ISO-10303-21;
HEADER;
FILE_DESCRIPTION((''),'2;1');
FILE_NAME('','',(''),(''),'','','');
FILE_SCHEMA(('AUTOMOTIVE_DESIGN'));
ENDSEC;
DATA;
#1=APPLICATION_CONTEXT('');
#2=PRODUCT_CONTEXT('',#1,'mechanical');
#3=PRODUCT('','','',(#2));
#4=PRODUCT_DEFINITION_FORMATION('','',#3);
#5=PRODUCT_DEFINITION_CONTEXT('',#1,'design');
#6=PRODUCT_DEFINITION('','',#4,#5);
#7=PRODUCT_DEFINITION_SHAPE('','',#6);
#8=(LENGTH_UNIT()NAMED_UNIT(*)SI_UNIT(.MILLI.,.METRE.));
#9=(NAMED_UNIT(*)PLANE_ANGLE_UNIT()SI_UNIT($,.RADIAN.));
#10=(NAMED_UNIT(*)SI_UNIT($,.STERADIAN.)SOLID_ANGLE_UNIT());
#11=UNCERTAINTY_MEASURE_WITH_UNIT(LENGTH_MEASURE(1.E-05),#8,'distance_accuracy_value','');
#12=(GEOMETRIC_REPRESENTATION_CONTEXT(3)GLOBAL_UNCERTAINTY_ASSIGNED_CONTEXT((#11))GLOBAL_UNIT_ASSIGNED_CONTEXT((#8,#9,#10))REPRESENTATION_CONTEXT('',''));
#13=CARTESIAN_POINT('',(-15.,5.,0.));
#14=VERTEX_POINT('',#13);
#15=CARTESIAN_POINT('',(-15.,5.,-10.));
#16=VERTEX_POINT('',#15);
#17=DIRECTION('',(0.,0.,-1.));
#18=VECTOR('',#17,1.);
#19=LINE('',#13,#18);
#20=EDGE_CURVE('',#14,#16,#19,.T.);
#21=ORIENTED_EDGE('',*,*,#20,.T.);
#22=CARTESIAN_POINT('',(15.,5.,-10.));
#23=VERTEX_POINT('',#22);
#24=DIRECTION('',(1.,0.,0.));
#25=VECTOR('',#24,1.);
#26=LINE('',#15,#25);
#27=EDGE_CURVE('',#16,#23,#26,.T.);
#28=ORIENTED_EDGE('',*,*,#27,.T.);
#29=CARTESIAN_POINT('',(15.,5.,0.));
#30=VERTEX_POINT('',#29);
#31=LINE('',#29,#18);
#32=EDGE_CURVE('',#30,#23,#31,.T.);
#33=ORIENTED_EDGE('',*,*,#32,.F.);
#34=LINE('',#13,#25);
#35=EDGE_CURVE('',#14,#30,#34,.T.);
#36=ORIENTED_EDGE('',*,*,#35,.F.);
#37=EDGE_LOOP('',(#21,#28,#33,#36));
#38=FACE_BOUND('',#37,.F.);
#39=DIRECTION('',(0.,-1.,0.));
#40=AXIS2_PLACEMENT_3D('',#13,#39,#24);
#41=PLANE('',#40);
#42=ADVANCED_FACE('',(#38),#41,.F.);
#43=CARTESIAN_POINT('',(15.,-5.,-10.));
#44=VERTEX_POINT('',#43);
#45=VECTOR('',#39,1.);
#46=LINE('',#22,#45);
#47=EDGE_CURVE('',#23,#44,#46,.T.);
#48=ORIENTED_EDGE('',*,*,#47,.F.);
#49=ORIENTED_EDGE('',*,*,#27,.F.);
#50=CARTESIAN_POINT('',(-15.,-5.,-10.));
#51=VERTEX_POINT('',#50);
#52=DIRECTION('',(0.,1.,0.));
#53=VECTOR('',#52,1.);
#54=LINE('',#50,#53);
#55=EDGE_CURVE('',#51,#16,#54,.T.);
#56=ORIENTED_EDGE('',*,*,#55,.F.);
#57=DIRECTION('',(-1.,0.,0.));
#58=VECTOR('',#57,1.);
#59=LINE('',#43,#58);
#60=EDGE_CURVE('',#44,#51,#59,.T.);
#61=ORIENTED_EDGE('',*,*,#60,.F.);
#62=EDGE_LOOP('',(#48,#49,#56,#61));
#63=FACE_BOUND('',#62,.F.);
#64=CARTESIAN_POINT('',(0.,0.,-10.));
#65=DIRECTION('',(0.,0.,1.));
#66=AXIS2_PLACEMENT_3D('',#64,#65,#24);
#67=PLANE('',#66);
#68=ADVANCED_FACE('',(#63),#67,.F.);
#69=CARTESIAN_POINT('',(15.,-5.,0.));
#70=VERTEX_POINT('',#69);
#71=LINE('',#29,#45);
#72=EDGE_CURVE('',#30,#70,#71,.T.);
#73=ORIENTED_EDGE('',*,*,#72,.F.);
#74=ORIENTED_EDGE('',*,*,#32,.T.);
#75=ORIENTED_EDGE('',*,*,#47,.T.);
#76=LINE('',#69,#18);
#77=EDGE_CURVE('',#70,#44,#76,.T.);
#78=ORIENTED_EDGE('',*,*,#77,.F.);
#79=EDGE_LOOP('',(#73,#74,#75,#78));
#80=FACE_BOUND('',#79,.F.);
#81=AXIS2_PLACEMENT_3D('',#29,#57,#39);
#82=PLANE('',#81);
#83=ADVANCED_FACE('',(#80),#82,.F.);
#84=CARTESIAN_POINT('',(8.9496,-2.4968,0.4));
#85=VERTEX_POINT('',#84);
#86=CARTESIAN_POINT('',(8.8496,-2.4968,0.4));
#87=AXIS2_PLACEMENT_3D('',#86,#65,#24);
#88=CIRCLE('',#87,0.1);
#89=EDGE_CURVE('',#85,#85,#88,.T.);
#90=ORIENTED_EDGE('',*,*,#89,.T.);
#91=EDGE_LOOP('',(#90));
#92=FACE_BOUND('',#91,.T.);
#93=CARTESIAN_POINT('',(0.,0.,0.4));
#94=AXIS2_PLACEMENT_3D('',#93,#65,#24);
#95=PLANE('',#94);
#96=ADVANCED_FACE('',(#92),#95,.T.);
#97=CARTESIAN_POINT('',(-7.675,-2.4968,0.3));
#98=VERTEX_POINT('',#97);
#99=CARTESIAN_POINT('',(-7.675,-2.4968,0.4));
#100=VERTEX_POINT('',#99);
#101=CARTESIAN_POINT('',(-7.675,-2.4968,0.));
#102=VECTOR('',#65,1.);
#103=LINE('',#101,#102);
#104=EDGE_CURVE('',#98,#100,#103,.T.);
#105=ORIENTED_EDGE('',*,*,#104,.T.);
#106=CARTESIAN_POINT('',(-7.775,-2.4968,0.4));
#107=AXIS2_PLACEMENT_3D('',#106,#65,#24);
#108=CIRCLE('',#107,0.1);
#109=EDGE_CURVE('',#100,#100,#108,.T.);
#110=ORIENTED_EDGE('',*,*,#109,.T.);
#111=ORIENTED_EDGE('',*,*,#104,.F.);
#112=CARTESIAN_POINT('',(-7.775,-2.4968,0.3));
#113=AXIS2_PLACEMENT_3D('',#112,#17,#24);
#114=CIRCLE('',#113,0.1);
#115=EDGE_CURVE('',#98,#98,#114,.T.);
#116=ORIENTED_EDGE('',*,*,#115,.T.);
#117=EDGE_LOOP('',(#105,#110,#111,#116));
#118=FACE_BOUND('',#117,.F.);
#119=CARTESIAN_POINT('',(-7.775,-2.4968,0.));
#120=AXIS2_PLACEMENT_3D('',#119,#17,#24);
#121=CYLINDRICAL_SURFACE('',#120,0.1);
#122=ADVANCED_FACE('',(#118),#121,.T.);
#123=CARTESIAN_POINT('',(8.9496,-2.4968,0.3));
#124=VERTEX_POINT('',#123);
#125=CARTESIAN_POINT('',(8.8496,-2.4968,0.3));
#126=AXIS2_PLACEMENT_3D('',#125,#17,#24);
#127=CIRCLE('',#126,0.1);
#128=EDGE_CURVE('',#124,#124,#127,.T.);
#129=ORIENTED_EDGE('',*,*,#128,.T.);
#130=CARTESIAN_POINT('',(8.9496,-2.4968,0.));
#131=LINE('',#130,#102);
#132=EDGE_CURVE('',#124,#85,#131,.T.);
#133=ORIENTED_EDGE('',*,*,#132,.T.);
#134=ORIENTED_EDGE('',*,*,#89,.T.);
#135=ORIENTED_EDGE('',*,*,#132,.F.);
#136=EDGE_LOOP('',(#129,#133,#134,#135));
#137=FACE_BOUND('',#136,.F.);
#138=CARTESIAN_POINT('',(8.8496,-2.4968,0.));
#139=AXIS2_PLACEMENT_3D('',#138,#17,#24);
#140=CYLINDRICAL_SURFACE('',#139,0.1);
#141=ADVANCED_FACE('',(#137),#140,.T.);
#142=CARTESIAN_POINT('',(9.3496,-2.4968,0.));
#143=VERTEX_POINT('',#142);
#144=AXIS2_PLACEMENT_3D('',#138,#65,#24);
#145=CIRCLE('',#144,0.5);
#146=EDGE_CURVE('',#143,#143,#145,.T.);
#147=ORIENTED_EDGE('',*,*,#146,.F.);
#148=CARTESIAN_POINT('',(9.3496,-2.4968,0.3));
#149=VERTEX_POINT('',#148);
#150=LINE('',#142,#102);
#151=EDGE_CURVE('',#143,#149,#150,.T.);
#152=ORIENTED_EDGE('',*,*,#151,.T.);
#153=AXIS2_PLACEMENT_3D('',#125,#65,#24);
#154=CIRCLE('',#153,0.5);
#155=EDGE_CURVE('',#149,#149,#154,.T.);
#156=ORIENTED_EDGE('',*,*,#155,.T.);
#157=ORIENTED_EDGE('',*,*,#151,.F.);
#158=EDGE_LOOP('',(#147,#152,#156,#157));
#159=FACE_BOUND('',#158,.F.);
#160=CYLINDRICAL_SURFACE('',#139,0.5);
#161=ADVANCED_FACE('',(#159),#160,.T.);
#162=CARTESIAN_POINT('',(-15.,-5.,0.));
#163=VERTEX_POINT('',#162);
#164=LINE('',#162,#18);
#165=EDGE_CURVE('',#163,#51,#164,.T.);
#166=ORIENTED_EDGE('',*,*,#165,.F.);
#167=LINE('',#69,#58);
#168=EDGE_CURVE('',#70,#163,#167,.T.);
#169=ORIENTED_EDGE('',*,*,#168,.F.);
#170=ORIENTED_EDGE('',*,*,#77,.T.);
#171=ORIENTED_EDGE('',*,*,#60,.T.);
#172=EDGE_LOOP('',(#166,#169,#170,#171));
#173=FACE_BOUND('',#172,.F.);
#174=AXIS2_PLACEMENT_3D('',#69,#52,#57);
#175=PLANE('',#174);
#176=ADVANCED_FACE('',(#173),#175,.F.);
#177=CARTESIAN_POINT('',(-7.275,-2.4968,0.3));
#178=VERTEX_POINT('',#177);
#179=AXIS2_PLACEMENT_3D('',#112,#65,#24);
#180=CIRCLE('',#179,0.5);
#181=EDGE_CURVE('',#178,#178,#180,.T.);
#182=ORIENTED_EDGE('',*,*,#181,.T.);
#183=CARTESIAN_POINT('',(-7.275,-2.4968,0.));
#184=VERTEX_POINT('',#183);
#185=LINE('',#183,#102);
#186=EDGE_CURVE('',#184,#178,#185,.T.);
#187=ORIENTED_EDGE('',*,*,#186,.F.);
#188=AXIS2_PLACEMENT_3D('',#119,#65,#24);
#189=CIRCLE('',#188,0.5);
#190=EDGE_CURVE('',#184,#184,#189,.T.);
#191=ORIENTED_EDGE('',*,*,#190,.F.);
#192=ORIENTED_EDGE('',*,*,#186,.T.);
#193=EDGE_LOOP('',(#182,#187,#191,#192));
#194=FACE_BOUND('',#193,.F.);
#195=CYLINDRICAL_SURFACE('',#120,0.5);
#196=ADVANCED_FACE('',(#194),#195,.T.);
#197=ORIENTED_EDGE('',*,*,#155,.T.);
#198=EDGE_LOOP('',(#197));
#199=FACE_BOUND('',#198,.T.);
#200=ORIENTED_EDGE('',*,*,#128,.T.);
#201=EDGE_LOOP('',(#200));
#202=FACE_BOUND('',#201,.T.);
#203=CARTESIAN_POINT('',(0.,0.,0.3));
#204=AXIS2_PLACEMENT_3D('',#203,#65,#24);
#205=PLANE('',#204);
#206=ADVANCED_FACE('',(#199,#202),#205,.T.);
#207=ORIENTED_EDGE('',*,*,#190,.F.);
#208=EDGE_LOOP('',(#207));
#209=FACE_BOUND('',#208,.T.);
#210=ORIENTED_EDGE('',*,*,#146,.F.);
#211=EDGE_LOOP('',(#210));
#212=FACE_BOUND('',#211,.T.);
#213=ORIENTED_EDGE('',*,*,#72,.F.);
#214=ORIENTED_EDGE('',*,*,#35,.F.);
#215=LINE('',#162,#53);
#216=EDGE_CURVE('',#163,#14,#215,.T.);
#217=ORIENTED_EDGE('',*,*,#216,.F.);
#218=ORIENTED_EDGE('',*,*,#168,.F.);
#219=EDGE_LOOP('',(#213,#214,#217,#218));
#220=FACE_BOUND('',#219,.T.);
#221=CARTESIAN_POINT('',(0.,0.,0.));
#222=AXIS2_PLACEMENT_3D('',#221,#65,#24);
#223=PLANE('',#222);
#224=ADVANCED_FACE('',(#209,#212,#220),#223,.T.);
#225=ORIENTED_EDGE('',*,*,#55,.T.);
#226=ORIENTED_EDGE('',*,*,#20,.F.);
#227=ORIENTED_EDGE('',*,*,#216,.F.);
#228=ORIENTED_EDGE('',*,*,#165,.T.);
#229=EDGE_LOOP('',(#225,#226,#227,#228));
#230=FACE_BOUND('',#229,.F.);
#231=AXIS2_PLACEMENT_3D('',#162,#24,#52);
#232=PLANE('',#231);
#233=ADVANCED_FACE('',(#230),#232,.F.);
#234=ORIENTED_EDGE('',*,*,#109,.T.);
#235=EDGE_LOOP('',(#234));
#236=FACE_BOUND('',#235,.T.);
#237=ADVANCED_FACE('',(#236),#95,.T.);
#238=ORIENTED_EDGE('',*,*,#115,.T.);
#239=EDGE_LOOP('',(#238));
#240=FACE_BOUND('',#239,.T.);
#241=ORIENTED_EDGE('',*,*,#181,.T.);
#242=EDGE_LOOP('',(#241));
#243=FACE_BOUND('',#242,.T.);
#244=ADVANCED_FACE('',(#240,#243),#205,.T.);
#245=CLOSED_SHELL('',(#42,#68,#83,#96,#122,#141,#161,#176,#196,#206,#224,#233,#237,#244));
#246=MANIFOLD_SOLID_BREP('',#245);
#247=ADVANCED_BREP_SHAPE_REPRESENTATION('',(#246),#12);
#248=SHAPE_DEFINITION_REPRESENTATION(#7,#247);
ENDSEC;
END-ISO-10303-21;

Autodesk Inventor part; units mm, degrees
ref_plane "YZ Plane" through (0, 0, 0) normal (1, 0, 0) x (0, 1, 0)
ref_plane "XZ Plane" through (0, 0, 0) normal (0, 1, 0) x (-1, 0, 0)
sketch "Эскиз1" plane through (0, 0, 0) normal (0, 0, 1) x (1, 0, 0)
  line L0 (-15, 5) -> (15, 5)
  line L1 (15, 5) -> (15, -5)
  line L2 (15, -5) -> (-15, -5)
  line L3 (-15, -5) -> (-15, 5)
  point P0 (0, 0)
  point P1 (0, 5)
  point P2 (15, 0)
  dimension "d0" = 30
  dimension "d1" = 10
extrude "Выдавливание1" add sketch "Эскиз1" against normal blind 10
sketch "Эскиз2" plane through (0, 0, 0) normal (0, 0, 1) x (1, 0, 0)
  line L0 (-7.5853, 4.0771) -> (10.7261, 4.0771) construction
  line L1 (10.7261, 4.0771) -> (10.7261, -0.5016) construction
  line L2 (10.7261, -0.5016) -> (-7.5853, -0.5016) construction
  line L3 (-7.5853, -0.5016) -> (-7.5853, 4.0771) construction
  point P0 (0, 0)
ref_plane "РабПлоскость1" through (0, 0, 0) normal (0, 0, 1) x (1, 0, 0)
sketch "Эскиз3" plane through (0, 0, 0) normal (0, 0, 1) x (1, 0, 0)
  circle A0 centre (-7.775, -2.4968) radius 0.5
  circle A1 centre (8.8496, -2.4968) radius 0.5
  point P0 (0, 0)
  dimension "d5" = 1
  dimension "d6" = 1
extrude "Выдавливание2" add sketch "Эскиз3" along normal blind 0.3
sketch "Эскиз4" plane through (0, 0, 0) normal (0, 0, 1) x (1, 0, 0)
  circle A0 centre (-7.775, -2.4968) radius 0.5 projected
  circle A1 centre (-7.775, -2.4968) radius 0.1
  circle A2 centre (8.8496, -2.4968) radius 0.5 projected
  circle A3 centre (8.8496, -2.4968) radius 0.1
  point P0 (0, 0)
  dimension "d9" = 0.2
  dimension "d10" = 0.2
extrude "Выдавливание3" add sketch "Эскиз4" along normal blind 0.4 contours A1 | A3
properties part number "lock-in"
